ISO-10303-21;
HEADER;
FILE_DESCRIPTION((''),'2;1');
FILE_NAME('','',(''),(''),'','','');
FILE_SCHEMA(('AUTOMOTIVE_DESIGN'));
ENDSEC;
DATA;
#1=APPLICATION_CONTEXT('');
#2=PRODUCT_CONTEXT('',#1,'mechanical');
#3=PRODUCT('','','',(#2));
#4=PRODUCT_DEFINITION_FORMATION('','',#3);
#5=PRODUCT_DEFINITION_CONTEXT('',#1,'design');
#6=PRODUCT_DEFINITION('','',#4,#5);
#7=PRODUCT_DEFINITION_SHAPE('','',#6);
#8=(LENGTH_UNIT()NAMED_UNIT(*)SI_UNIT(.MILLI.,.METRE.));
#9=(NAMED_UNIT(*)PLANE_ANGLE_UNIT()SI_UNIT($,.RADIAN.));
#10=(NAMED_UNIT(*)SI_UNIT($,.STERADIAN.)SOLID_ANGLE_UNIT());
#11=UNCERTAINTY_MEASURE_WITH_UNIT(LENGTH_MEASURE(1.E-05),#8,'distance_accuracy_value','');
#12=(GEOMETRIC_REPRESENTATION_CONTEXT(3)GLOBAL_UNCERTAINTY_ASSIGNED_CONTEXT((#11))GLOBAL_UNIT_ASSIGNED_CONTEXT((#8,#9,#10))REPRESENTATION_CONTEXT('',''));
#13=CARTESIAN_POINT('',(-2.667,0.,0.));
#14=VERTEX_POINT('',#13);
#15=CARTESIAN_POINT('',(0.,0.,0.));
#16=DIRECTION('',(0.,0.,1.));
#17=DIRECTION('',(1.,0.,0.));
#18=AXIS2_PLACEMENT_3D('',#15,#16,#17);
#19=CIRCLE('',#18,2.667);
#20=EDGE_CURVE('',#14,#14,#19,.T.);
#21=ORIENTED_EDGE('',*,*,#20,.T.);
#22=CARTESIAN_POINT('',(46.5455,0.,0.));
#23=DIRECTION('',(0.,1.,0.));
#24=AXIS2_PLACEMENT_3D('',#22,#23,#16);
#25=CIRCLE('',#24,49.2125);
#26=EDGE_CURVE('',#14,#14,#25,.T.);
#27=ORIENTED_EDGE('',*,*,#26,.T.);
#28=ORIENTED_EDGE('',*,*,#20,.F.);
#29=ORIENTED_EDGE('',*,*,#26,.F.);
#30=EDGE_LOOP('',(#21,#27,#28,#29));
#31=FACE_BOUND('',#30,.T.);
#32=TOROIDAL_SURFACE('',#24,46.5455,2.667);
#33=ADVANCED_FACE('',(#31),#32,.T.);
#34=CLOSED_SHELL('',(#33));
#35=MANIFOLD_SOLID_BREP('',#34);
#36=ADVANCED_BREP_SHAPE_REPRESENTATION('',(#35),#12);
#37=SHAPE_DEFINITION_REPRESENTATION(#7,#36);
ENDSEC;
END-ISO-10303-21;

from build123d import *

# Parameters (mm, degrees)
SKETCH1_R = 2.667


with BuildPart() as part:
    # Sweep1: sweep along a path in Sketch2
    with BuildLine(Plane(origin=(0, 0, 0), x_dir=(1, 0, 0), z_dir=(0, 1, 0))) as sweep1_path:
        CenterArc((46.5455, 0), 46.5455, 0, 360)
    # Sketch1 → Sweep1 (sweep)
    with BuildSketch(Plane.XY):
        Circle(SKETCH1_R)
    sweep(path=sweep1_path.line)


solid = part.part
